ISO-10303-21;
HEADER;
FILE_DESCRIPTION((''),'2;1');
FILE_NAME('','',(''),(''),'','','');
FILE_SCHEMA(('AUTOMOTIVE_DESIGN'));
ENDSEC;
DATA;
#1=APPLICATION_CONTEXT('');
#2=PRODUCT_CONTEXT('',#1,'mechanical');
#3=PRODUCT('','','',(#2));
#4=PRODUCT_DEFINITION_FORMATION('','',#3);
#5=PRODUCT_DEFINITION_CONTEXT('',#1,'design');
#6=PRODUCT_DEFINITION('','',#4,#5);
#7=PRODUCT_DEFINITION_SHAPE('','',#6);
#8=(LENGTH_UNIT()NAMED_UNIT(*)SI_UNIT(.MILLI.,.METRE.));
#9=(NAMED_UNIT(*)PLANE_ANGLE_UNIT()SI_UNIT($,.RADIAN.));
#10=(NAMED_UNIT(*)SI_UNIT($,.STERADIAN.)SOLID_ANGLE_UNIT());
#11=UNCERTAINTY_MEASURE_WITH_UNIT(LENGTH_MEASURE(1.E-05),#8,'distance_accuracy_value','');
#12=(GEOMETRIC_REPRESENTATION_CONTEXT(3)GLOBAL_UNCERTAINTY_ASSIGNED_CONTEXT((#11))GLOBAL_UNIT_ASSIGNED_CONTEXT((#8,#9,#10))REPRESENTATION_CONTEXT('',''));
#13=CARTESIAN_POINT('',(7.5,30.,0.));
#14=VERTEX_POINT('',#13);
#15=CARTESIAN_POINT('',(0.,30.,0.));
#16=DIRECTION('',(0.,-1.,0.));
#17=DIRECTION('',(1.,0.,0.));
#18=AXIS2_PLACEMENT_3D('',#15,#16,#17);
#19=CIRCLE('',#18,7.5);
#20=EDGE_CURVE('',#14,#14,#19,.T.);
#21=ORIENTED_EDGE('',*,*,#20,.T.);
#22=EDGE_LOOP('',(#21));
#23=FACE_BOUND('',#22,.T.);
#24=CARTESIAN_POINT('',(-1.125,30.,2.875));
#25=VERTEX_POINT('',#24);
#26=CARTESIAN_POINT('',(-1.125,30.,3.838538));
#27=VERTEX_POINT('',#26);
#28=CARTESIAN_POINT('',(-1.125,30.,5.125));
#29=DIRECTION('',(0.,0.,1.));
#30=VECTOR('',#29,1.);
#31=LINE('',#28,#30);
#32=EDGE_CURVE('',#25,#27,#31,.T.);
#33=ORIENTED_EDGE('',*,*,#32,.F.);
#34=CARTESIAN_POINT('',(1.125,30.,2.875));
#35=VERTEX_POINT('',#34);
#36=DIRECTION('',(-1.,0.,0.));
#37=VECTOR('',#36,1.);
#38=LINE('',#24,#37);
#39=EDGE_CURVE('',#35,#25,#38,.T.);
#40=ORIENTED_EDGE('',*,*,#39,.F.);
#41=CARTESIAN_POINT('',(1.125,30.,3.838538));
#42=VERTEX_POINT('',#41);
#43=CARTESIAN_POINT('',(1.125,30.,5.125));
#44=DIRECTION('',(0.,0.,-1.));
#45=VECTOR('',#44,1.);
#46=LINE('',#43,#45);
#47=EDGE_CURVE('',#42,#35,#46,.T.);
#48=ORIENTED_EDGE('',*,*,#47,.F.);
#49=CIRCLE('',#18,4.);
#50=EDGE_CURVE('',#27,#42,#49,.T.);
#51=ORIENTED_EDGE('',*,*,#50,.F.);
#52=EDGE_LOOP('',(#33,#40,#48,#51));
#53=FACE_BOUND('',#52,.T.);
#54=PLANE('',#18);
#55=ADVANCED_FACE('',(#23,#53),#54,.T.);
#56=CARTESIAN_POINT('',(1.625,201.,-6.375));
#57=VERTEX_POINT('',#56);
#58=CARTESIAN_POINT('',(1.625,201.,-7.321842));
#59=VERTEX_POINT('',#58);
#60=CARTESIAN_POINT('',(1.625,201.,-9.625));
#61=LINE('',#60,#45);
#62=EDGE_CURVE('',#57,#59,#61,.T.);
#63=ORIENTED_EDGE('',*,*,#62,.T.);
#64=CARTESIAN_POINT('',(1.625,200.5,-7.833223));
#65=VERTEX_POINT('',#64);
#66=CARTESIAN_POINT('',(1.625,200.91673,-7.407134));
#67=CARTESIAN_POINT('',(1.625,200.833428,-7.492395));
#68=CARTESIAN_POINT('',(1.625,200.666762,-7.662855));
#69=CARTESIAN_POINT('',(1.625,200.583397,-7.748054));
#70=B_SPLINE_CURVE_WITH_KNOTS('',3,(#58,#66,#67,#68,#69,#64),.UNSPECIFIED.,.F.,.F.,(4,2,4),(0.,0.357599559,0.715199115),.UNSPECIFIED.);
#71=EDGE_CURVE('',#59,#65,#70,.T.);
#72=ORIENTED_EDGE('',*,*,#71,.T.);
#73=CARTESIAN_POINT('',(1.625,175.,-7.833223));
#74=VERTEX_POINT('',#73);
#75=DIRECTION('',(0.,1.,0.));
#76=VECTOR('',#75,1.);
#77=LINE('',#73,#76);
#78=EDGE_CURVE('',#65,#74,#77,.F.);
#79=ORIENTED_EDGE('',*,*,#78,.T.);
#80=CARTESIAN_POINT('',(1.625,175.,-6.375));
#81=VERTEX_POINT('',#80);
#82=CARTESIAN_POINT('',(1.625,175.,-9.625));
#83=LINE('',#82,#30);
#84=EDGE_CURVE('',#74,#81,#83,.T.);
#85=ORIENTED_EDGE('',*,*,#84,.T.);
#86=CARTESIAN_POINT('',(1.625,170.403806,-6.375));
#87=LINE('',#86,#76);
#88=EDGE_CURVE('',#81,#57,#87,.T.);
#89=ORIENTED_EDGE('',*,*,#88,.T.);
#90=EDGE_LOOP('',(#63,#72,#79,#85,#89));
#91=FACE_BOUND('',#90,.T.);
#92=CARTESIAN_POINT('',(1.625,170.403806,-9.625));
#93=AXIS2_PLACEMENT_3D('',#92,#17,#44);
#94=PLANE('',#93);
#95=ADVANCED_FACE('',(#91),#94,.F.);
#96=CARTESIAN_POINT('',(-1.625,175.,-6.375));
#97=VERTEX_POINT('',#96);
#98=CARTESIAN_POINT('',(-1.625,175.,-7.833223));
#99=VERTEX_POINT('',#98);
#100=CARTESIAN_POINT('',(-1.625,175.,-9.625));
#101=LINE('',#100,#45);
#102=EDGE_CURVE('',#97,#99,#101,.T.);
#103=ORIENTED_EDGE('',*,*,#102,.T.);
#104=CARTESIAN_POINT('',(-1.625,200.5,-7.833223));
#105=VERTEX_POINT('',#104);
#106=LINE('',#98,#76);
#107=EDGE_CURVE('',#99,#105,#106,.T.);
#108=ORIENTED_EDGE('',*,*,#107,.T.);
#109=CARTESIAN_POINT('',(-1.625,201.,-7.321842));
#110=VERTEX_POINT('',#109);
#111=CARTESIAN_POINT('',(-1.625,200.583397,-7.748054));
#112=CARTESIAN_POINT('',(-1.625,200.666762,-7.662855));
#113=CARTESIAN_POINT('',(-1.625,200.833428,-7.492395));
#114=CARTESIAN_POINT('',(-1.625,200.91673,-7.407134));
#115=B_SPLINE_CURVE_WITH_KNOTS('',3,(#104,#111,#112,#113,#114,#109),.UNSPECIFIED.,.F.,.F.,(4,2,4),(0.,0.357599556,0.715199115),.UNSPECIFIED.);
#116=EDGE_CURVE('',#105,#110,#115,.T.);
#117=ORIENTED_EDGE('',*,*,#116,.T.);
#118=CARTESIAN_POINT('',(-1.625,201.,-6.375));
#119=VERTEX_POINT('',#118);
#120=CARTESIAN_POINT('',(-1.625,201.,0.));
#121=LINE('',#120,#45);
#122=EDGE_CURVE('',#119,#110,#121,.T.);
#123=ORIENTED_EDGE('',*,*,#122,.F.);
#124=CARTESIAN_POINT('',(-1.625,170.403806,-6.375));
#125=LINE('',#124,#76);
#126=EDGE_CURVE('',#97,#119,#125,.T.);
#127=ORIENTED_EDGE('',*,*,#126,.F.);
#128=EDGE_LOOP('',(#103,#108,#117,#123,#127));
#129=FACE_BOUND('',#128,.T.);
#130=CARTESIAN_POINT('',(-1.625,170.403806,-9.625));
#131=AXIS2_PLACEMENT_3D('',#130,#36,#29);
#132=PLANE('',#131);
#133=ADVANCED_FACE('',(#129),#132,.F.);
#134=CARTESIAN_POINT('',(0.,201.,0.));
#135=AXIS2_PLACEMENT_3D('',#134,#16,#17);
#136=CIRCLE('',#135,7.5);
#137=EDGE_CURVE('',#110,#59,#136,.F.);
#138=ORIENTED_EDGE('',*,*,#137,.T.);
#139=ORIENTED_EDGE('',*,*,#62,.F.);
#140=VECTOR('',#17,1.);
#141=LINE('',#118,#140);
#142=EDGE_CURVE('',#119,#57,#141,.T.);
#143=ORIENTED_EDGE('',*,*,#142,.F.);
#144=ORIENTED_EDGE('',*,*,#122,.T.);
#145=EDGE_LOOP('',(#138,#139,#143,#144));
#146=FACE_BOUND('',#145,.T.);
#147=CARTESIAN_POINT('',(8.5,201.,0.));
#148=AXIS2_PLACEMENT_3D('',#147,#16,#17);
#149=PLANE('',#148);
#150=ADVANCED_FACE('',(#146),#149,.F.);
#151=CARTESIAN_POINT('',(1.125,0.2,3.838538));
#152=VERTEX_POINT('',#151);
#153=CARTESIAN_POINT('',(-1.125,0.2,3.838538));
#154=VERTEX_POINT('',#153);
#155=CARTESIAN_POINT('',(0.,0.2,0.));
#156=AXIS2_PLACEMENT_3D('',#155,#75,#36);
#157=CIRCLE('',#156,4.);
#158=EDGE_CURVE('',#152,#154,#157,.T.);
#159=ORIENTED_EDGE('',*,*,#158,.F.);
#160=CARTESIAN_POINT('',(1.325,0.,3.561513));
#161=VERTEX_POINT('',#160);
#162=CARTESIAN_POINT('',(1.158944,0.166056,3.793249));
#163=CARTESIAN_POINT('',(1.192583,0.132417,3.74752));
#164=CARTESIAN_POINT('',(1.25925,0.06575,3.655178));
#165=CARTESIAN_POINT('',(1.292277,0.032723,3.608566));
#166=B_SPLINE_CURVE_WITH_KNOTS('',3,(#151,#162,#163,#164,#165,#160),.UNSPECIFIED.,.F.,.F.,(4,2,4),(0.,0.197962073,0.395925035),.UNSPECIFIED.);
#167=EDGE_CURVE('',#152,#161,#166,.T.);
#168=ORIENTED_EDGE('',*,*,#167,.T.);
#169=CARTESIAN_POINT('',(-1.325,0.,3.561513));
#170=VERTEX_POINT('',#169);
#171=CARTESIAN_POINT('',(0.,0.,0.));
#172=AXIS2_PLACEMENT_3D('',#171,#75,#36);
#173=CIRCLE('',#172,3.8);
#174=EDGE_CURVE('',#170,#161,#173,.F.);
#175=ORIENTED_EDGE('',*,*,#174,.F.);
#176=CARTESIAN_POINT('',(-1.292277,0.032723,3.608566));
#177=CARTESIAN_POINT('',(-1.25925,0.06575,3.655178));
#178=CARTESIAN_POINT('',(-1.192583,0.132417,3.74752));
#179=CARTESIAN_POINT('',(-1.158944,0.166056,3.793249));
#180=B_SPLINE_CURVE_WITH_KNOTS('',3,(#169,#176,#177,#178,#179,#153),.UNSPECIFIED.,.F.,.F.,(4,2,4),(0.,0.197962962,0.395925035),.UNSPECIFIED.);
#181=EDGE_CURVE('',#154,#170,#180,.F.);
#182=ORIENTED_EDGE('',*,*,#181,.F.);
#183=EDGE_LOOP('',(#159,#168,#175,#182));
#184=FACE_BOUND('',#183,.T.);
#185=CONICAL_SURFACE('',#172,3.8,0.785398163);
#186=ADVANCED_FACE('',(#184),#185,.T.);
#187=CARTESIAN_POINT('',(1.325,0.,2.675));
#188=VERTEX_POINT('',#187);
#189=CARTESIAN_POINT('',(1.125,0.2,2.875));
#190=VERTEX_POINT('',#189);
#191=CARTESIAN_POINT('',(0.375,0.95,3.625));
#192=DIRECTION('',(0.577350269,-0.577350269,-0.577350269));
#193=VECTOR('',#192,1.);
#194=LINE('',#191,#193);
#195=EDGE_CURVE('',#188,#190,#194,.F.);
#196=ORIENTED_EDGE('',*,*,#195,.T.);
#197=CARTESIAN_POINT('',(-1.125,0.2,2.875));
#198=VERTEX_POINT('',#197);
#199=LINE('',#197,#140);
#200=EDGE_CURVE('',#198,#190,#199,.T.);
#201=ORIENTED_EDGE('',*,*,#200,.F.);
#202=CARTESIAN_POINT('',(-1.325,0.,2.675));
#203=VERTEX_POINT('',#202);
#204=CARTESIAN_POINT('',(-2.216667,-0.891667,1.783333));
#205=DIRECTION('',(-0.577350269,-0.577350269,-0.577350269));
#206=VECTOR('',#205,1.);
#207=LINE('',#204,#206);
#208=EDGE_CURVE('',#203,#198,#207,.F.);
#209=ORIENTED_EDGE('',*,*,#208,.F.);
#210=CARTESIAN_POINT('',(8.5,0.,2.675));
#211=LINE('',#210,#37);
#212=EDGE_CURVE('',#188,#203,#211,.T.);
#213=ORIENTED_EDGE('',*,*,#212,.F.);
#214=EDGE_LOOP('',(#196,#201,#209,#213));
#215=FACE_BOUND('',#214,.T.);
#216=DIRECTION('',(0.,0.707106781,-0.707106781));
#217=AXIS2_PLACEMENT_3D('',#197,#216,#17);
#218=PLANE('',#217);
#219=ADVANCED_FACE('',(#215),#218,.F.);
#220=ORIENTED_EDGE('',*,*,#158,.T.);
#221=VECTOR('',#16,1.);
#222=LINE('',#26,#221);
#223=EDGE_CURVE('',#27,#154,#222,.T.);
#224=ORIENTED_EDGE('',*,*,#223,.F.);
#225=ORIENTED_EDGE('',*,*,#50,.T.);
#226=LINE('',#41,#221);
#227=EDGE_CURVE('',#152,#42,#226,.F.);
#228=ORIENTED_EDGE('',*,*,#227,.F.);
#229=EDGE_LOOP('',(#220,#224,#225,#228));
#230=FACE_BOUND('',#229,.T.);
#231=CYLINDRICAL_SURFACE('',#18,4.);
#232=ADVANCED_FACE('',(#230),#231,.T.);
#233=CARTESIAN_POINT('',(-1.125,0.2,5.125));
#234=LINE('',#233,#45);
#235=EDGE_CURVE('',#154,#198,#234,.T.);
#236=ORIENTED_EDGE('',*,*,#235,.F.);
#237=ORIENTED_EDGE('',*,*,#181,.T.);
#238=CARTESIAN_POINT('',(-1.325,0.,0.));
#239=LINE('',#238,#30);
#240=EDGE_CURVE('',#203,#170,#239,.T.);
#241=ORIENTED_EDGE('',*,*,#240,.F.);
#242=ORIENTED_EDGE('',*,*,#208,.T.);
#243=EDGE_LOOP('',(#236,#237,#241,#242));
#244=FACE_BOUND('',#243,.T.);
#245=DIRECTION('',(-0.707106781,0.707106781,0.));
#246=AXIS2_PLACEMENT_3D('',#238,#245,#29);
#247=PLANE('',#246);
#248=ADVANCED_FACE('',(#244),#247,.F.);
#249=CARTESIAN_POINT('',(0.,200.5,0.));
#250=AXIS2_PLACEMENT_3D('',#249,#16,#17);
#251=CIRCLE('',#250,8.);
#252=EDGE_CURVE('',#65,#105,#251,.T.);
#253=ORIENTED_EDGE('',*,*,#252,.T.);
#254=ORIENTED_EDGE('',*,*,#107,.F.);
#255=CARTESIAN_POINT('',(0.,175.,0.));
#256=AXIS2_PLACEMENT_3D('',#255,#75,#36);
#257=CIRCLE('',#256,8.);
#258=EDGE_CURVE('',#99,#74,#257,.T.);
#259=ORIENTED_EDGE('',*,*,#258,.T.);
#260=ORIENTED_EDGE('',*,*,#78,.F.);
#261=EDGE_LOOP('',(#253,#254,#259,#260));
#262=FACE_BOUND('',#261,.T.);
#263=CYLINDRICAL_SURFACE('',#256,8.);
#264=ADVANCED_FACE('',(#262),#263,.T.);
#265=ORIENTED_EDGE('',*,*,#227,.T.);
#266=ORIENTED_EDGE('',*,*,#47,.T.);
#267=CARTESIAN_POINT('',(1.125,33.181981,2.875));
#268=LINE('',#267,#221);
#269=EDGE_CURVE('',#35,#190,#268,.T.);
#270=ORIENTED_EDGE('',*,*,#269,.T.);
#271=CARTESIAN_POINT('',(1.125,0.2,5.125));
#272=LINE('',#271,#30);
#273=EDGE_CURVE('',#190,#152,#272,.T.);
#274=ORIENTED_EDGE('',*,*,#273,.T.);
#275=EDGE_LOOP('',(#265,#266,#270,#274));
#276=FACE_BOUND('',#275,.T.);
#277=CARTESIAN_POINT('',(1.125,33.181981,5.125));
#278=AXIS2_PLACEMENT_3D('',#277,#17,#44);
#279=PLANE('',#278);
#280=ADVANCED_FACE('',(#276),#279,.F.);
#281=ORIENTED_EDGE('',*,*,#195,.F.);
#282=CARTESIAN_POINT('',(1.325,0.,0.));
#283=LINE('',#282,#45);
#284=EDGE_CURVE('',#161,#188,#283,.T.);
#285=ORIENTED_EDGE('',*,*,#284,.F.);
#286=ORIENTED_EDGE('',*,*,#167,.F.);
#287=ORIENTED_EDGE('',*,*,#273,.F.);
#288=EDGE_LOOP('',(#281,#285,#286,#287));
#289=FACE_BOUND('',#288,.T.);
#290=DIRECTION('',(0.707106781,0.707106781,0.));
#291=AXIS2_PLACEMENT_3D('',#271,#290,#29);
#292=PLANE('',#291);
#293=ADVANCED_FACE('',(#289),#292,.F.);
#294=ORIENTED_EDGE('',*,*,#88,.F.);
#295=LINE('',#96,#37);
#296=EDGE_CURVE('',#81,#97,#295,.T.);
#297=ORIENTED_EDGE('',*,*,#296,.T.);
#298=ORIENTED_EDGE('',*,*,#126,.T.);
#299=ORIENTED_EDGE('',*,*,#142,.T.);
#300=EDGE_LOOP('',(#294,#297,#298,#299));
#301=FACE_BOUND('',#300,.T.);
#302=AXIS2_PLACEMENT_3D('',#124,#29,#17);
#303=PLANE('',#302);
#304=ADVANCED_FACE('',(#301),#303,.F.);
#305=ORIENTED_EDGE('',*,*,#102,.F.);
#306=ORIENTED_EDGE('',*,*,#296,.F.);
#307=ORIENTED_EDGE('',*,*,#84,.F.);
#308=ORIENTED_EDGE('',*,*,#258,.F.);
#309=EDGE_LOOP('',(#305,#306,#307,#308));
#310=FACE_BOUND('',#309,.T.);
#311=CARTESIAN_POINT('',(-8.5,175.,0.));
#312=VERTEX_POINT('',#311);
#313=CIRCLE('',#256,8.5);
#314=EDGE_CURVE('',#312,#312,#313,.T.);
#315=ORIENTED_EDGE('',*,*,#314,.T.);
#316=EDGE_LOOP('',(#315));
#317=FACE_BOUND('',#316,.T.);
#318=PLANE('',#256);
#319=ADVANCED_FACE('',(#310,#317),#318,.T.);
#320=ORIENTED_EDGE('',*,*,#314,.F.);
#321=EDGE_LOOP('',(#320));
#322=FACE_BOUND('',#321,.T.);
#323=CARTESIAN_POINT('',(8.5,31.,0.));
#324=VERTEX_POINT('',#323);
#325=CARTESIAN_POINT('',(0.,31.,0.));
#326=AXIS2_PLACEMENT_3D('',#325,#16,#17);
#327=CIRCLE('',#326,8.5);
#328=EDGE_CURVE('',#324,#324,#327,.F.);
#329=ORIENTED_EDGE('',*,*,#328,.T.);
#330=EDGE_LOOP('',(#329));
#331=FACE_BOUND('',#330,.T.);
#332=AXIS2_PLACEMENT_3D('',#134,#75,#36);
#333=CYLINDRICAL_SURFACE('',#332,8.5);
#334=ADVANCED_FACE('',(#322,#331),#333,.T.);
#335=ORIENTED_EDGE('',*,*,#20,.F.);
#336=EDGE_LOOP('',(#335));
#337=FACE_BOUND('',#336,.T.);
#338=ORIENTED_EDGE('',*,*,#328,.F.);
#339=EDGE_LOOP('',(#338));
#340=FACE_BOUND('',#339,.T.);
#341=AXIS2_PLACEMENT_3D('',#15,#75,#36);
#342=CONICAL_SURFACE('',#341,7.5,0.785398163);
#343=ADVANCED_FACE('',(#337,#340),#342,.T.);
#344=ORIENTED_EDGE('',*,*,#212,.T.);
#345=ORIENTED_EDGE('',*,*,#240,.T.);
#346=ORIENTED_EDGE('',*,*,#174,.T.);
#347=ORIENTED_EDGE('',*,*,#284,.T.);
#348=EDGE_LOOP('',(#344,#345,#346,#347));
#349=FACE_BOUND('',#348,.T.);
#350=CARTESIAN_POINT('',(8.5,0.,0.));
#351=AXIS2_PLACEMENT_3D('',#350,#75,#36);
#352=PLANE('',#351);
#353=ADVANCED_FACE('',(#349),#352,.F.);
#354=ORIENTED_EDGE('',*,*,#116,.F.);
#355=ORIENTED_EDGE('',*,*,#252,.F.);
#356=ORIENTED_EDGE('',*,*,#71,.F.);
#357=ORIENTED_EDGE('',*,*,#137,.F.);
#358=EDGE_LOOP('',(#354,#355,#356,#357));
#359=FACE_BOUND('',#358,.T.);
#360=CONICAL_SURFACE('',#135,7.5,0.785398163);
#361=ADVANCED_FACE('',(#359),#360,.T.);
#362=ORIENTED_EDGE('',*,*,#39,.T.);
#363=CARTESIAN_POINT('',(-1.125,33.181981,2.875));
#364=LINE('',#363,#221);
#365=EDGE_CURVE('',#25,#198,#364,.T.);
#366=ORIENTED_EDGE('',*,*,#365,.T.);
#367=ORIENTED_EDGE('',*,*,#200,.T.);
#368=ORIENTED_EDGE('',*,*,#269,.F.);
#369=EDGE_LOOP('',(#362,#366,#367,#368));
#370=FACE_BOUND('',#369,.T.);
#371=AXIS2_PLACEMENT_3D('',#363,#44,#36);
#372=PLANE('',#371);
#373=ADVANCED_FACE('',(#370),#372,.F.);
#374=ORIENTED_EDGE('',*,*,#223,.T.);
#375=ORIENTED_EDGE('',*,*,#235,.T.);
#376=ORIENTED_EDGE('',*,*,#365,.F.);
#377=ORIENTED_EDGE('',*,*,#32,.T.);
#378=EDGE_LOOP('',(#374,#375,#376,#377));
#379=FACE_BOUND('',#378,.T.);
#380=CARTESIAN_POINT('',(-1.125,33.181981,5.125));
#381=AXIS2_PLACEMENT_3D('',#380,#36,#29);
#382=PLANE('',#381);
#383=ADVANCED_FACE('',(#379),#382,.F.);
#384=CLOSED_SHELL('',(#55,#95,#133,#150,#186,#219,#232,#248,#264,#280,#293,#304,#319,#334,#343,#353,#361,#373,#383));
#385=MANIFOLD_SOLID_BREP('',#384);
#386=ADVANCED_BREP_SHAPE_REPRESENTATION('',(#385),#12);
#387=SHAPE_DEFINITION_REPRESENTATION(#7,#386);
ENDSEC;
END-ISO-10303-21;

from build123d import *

# Parameters (mm, degrees)
SKETCH1_W          = 8.5
SKETCH1_H          = 201
SKETCH2_OUTSIDE_W  = 59.486
SKETCH2_OUTSIDE_H  = 59.486
SKETCH2_OUTSIDE_R  = 8
CUT_EXTRUDE1_DEPTH = 26
SKETCH3_W          = 3.25
SKETCH3_H          = 3.25
CUT_EXTRUDE2_DEPTH = 26
CHAMFER1_SIZE      = 0.5
SKETCH4_OUTSIDE_W  = 59.486
SKETCH4_OUTSIDE_H  = 59.486
SKETCH4_OUTSIDE_R  = 4
CUT_EXTRUDE3_DEPTH = 30
CHAMFER2_SIZE      = 1
SKETCH5_W          = 2.25
SKETCH5_H          = 2.25
CUT_EXTRUDE4_DEPTH = 30
CHAMFER3_SIZE      = 0.2


with BuildPart() as part:
    # Sketch1 → Revolve1 (revolve)
    with BuildSketch(Plane.XY, mode=Mode.PRIVATE) as revolve1_sk:
        with Locations((4.25, 100.5)):
            Rectangle(SKETCH1_W, SKETCH1_H)
    revolve(revolve1_sk.sketch.rotate(Axis((0, 201, 0), (0, -1, 0)), 180), axis=Axis((0, 201, 0), (0, -1, 0)))

    # Sketch2 outside → Cut-Extrude1 (cut)
    with BuildSketch(Plane(origin=(0, 201, 0), x_dir=(1, 0, 0), z_dir=(0, 1, 0))):
        Rectangle(SKETCH2_OUTSIDE_W, SKETCH2_OUTSIDE_H)
        with Locations(Location((0, 0, 0), (0, 0, 180))):
            Circle(SKETCH2_OUTSIDE_R, mode=Mode.SUBTRACT)
    extrude(amount=-CUT_EXTRUDE1_DEPTH, mode=Mode.SUBTRACT)

    # Sketch3 → Cut-Extrude2 (cut)
    with BuildSketch(Plane(origin=(0, 201, 0), x_dir=(1, 0, 0), z_dir=(0, 1, 0))):
        with Locations((0, 8)):
            Rectangle(SKETCH3_W, SKETCH3_H)
    extrude(amount=-CUT_EXTRUDE2_DEPTH, mode=Mode.SUBTRACT)

    # Chamfer1
    chamfer1_edges = [part.edges().sort_by_distance(p)[0] for p in [
        (0, 201, 8),
        (8.5, 0, 0),
    ]]
    chamfer(chamfer1_edges, length=CHAMFER1_SIZE)

    # Sketch4 outside → Cut-Extrude3 (cut)
    with BuildSketch(Plane.XZ):
        Rectangle(SKETCH4_OUTSIDE_W, SKETCH4_OUTSIDE_H)
        Circle(SKETCH4_OUTSIDE_R, mode=Mode.SUBTRACT)
    extrude(amount=-CUT_EXTRUDE3_DEPTH, mode=Mode.SUBTRACT)

    # Chamfer2
    chamfer2_edges = [part.edges().sort_by_distance(p)[0] for p in [
        (8.5, 30, 0),
    ]]
    chamfer(chamfer2_edges, length=CHAMFER2_SIZE)

    # Sketch5 → Cut-Extrude4 (cut)
    with BuildSketch(Plane.XZ):
        with Locations((0, 4)):
            Rectangle(SKETCH5_W, SKETCH5_H)
    extrude(amount=-CUT_EXTRUDE4_DEPTH, mode=Mode.SUBTRACT)

    # Chamfer3
    chamfer3_edges = [part.edges().sort_by_distance(p)[0] for p in [
        (0, 0, -4),
        (-1.125, 0, 3.356769067),
        (0, 0, 2.875),
        (1.125, 0, 3.356769067),
    ]]
    chamfer(chamfer3_edges, length=CHAMFER3_SIZE)


solid = part.part
